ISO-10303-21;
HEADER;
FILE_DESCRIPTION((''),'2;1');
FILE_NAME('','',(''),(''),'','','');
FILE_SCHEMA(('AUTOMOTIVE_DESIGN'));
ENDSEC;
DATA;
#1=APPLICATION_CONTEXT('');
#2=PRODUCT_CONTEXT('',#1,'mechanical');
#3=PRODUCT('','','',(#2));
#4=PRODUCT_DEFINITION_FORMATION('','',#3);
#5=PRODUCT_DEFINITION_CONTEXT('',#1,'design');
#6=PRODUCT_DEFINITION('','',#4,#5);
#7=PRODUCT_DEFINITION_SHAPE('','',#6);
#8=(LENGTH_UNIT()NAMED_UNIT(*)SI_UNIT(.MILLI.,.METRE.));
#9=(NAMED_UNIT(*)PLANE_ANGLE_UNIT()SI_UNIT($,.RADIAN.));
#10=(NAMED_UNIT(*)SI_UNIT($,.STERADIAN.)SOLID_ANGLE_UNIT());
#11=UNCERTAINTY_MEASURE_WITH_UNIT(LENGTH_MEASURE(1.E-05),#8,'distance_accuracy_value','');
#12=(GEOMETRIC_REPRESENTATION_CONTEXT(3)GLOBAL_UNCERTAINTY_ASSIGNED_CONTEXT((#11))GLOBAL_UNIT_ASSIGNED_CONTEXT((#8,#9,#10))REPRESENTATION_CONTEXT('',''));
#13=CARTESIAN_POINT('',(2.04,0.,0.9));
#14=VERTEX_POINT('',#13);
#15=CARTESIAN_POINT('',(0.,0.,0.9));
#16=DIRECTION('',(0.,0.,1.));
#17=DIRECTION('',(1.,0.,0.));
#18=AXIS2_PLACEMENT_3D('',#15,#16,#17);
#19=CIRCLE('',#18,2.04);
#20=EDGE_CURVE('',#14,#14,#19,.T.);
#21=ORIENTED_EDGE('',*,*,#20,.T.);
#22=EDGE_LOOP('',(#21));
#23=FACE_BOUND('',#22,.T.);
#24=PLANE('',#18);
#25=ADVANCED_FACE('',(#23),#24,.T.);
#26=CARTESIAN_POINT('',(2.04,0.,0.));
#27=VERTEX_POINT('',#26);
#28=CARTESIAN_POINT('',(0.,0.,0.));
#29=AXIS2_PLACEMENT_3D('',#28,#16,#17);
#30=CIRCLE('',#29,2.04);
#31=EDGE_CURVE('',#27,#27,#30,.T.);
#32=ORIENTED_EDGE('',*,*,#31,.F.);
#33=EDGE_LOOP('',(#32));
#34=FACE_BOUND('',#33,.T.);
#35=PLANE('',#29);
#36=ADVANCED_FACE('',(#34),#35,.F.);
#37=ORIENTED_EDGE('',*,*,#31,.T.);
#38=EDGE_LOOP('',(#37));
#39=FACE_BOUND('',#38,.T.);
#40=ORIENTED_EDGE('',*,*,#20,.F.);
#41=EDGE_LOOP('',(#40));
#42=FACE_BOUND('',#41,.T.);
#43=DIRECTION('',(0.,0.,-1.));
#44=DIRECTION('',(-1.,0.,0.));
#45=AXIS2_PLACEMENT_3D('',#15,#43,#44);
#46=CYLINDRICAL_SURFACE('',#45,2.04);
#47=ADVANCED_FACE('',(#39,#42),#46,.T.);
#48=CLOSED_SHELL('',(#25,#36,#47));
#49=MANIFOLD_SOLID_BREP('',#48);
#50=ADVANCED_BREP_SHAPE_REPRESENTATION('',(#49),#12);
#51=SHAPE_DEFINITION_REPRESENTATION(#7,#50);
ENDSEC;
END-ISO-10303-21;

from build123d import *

# Parameters (mm, degrees)
CROQUIS1_R              = 2.04
SALIENTE_EXTRUIR1_DEPTH = 0.9


with BuildPart() as part:
    # Croquis1 → Saliente-Extruir1 (new body)
    with BuildSketch(Plane.XY):
        Circle(CROQUIS1_R)
    extrude(amount=SALIENTE_EXTRUIR1_DEPTH)


solid = part.part
